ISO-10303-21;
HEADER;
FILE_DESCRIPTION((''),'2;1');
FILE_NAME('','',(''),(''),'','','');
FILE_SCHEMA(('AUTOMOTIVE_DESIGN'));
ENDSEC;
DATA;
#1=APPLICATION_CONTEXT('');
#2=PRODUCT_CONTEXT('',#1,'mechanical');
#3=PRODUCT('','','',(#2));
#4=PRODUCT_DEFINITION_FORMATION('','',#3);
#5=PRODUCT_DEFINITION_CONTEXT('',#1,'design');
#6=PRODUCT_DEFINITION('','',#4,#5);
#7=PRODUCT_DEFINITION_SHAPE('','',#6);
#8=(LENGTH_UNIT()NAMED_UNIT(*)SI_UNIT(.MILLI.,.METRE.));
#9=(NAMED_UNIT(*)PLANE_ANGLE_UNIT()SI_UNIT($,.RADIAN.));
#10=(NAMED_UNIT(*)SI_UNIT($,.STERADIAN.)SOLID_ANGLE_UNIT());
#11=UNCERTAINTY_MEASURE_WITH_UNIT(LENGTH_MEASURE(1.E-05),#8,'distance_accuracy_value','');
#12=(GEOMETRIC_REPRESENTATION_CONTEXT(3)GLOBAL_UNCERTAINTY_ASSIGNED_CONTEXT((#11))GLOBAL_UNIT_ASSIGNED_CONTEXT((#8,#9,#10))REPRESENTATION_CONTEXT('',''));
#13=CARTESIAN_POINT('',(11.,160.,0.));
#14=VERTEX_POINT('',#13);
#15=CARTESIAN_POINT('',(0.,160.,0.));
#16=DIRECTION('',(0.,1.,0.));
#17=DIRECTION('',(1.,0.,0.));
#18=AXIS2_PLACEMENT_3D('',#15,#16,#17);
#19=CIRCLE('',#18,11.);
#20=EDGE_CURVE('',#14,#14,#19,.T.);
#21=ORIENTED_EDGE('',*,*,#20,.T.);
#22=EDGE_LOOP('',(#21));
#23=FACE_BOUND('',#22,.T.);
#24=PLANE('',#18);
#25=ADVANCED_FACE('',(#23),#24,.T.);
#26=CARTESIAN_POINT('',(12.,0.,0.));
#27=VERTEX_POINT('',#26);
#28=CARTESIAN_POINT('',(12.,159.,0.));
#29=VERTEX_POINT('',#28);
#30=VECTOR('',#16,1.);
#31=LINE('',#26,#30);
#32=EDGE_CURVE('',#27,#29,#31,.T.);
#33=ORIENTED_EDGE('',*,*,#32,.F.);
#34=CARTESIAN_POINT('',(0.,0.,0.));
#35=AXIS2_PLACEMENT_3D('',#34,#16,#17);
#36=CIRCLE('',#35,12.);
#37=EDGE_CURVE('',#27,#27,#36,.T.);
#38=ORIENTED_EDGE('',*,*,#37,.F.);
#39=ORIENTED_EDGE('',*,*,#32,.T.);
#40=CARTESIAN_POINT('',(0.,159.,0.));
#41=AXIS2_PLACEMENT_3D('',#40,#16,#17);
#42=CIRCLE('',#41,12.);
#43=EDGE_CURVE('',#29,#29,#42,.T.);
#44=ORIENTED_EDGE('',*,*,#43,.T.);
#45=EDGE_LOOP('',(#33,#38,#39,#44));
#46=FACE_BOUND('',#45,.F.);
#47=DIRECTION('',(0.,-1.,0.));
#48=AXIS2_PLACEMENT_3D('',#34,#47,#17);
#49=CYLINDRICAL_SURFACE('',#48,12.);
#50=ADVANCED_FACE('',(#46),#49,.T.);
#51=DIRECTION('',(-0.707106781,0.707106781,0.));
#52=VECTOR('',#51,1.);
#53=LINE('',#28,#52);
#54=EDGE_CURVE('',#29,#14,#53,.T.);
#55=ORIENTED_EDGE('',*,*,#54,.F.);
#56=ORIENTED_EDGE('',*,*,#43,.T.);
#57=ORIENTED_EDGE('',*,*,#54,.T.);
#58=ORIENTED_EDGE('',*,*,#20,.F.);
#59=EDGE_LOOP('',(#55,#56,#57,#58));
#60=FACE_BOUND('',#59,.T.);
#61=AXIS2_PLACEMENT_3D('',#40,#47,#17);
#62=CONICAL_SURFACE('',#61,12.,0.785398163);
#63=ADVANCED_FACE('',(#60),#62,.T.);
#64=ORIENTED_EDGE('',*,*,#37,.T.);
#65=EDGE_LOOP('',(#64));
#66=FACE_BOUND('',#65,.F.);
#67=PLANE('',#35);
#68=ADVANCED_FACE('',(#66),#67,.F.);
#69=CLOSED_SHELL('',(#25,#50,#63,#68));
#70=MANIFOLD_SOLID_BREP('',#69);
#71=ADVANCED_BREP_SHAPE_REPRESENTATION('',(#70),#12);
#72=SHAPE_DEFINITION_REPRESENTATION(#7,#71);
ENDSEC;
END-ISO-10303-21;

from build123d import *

# Parameters (mm, degrees)
SKETCH2_R           = 12
BOSS_EXTRUDE1_DEPTH = 160
CHAMFER1_SIZE       = 1


with BuildPart() as part:
    # Sketch2 → Boss-Extrude1 (new body)
    with BuildSketch(Plane(origin=(0, 0, 0), x_dir=(1, 0, 0), z_dir=(0, 1, 0))):
        Circle(SKETCH2_R)
    extrude(amount=BOSS_EXTRUDE1_DEPTH)

    # Chamfer1
    chamfer1_edges = [part.edges().sort_by_distance(p)[0] for p in [
        (-12, 160, 0),
    ]]
    chamfer(chamfer1_edges, length=CHAMFER1_SIZE)


solid = part.part
